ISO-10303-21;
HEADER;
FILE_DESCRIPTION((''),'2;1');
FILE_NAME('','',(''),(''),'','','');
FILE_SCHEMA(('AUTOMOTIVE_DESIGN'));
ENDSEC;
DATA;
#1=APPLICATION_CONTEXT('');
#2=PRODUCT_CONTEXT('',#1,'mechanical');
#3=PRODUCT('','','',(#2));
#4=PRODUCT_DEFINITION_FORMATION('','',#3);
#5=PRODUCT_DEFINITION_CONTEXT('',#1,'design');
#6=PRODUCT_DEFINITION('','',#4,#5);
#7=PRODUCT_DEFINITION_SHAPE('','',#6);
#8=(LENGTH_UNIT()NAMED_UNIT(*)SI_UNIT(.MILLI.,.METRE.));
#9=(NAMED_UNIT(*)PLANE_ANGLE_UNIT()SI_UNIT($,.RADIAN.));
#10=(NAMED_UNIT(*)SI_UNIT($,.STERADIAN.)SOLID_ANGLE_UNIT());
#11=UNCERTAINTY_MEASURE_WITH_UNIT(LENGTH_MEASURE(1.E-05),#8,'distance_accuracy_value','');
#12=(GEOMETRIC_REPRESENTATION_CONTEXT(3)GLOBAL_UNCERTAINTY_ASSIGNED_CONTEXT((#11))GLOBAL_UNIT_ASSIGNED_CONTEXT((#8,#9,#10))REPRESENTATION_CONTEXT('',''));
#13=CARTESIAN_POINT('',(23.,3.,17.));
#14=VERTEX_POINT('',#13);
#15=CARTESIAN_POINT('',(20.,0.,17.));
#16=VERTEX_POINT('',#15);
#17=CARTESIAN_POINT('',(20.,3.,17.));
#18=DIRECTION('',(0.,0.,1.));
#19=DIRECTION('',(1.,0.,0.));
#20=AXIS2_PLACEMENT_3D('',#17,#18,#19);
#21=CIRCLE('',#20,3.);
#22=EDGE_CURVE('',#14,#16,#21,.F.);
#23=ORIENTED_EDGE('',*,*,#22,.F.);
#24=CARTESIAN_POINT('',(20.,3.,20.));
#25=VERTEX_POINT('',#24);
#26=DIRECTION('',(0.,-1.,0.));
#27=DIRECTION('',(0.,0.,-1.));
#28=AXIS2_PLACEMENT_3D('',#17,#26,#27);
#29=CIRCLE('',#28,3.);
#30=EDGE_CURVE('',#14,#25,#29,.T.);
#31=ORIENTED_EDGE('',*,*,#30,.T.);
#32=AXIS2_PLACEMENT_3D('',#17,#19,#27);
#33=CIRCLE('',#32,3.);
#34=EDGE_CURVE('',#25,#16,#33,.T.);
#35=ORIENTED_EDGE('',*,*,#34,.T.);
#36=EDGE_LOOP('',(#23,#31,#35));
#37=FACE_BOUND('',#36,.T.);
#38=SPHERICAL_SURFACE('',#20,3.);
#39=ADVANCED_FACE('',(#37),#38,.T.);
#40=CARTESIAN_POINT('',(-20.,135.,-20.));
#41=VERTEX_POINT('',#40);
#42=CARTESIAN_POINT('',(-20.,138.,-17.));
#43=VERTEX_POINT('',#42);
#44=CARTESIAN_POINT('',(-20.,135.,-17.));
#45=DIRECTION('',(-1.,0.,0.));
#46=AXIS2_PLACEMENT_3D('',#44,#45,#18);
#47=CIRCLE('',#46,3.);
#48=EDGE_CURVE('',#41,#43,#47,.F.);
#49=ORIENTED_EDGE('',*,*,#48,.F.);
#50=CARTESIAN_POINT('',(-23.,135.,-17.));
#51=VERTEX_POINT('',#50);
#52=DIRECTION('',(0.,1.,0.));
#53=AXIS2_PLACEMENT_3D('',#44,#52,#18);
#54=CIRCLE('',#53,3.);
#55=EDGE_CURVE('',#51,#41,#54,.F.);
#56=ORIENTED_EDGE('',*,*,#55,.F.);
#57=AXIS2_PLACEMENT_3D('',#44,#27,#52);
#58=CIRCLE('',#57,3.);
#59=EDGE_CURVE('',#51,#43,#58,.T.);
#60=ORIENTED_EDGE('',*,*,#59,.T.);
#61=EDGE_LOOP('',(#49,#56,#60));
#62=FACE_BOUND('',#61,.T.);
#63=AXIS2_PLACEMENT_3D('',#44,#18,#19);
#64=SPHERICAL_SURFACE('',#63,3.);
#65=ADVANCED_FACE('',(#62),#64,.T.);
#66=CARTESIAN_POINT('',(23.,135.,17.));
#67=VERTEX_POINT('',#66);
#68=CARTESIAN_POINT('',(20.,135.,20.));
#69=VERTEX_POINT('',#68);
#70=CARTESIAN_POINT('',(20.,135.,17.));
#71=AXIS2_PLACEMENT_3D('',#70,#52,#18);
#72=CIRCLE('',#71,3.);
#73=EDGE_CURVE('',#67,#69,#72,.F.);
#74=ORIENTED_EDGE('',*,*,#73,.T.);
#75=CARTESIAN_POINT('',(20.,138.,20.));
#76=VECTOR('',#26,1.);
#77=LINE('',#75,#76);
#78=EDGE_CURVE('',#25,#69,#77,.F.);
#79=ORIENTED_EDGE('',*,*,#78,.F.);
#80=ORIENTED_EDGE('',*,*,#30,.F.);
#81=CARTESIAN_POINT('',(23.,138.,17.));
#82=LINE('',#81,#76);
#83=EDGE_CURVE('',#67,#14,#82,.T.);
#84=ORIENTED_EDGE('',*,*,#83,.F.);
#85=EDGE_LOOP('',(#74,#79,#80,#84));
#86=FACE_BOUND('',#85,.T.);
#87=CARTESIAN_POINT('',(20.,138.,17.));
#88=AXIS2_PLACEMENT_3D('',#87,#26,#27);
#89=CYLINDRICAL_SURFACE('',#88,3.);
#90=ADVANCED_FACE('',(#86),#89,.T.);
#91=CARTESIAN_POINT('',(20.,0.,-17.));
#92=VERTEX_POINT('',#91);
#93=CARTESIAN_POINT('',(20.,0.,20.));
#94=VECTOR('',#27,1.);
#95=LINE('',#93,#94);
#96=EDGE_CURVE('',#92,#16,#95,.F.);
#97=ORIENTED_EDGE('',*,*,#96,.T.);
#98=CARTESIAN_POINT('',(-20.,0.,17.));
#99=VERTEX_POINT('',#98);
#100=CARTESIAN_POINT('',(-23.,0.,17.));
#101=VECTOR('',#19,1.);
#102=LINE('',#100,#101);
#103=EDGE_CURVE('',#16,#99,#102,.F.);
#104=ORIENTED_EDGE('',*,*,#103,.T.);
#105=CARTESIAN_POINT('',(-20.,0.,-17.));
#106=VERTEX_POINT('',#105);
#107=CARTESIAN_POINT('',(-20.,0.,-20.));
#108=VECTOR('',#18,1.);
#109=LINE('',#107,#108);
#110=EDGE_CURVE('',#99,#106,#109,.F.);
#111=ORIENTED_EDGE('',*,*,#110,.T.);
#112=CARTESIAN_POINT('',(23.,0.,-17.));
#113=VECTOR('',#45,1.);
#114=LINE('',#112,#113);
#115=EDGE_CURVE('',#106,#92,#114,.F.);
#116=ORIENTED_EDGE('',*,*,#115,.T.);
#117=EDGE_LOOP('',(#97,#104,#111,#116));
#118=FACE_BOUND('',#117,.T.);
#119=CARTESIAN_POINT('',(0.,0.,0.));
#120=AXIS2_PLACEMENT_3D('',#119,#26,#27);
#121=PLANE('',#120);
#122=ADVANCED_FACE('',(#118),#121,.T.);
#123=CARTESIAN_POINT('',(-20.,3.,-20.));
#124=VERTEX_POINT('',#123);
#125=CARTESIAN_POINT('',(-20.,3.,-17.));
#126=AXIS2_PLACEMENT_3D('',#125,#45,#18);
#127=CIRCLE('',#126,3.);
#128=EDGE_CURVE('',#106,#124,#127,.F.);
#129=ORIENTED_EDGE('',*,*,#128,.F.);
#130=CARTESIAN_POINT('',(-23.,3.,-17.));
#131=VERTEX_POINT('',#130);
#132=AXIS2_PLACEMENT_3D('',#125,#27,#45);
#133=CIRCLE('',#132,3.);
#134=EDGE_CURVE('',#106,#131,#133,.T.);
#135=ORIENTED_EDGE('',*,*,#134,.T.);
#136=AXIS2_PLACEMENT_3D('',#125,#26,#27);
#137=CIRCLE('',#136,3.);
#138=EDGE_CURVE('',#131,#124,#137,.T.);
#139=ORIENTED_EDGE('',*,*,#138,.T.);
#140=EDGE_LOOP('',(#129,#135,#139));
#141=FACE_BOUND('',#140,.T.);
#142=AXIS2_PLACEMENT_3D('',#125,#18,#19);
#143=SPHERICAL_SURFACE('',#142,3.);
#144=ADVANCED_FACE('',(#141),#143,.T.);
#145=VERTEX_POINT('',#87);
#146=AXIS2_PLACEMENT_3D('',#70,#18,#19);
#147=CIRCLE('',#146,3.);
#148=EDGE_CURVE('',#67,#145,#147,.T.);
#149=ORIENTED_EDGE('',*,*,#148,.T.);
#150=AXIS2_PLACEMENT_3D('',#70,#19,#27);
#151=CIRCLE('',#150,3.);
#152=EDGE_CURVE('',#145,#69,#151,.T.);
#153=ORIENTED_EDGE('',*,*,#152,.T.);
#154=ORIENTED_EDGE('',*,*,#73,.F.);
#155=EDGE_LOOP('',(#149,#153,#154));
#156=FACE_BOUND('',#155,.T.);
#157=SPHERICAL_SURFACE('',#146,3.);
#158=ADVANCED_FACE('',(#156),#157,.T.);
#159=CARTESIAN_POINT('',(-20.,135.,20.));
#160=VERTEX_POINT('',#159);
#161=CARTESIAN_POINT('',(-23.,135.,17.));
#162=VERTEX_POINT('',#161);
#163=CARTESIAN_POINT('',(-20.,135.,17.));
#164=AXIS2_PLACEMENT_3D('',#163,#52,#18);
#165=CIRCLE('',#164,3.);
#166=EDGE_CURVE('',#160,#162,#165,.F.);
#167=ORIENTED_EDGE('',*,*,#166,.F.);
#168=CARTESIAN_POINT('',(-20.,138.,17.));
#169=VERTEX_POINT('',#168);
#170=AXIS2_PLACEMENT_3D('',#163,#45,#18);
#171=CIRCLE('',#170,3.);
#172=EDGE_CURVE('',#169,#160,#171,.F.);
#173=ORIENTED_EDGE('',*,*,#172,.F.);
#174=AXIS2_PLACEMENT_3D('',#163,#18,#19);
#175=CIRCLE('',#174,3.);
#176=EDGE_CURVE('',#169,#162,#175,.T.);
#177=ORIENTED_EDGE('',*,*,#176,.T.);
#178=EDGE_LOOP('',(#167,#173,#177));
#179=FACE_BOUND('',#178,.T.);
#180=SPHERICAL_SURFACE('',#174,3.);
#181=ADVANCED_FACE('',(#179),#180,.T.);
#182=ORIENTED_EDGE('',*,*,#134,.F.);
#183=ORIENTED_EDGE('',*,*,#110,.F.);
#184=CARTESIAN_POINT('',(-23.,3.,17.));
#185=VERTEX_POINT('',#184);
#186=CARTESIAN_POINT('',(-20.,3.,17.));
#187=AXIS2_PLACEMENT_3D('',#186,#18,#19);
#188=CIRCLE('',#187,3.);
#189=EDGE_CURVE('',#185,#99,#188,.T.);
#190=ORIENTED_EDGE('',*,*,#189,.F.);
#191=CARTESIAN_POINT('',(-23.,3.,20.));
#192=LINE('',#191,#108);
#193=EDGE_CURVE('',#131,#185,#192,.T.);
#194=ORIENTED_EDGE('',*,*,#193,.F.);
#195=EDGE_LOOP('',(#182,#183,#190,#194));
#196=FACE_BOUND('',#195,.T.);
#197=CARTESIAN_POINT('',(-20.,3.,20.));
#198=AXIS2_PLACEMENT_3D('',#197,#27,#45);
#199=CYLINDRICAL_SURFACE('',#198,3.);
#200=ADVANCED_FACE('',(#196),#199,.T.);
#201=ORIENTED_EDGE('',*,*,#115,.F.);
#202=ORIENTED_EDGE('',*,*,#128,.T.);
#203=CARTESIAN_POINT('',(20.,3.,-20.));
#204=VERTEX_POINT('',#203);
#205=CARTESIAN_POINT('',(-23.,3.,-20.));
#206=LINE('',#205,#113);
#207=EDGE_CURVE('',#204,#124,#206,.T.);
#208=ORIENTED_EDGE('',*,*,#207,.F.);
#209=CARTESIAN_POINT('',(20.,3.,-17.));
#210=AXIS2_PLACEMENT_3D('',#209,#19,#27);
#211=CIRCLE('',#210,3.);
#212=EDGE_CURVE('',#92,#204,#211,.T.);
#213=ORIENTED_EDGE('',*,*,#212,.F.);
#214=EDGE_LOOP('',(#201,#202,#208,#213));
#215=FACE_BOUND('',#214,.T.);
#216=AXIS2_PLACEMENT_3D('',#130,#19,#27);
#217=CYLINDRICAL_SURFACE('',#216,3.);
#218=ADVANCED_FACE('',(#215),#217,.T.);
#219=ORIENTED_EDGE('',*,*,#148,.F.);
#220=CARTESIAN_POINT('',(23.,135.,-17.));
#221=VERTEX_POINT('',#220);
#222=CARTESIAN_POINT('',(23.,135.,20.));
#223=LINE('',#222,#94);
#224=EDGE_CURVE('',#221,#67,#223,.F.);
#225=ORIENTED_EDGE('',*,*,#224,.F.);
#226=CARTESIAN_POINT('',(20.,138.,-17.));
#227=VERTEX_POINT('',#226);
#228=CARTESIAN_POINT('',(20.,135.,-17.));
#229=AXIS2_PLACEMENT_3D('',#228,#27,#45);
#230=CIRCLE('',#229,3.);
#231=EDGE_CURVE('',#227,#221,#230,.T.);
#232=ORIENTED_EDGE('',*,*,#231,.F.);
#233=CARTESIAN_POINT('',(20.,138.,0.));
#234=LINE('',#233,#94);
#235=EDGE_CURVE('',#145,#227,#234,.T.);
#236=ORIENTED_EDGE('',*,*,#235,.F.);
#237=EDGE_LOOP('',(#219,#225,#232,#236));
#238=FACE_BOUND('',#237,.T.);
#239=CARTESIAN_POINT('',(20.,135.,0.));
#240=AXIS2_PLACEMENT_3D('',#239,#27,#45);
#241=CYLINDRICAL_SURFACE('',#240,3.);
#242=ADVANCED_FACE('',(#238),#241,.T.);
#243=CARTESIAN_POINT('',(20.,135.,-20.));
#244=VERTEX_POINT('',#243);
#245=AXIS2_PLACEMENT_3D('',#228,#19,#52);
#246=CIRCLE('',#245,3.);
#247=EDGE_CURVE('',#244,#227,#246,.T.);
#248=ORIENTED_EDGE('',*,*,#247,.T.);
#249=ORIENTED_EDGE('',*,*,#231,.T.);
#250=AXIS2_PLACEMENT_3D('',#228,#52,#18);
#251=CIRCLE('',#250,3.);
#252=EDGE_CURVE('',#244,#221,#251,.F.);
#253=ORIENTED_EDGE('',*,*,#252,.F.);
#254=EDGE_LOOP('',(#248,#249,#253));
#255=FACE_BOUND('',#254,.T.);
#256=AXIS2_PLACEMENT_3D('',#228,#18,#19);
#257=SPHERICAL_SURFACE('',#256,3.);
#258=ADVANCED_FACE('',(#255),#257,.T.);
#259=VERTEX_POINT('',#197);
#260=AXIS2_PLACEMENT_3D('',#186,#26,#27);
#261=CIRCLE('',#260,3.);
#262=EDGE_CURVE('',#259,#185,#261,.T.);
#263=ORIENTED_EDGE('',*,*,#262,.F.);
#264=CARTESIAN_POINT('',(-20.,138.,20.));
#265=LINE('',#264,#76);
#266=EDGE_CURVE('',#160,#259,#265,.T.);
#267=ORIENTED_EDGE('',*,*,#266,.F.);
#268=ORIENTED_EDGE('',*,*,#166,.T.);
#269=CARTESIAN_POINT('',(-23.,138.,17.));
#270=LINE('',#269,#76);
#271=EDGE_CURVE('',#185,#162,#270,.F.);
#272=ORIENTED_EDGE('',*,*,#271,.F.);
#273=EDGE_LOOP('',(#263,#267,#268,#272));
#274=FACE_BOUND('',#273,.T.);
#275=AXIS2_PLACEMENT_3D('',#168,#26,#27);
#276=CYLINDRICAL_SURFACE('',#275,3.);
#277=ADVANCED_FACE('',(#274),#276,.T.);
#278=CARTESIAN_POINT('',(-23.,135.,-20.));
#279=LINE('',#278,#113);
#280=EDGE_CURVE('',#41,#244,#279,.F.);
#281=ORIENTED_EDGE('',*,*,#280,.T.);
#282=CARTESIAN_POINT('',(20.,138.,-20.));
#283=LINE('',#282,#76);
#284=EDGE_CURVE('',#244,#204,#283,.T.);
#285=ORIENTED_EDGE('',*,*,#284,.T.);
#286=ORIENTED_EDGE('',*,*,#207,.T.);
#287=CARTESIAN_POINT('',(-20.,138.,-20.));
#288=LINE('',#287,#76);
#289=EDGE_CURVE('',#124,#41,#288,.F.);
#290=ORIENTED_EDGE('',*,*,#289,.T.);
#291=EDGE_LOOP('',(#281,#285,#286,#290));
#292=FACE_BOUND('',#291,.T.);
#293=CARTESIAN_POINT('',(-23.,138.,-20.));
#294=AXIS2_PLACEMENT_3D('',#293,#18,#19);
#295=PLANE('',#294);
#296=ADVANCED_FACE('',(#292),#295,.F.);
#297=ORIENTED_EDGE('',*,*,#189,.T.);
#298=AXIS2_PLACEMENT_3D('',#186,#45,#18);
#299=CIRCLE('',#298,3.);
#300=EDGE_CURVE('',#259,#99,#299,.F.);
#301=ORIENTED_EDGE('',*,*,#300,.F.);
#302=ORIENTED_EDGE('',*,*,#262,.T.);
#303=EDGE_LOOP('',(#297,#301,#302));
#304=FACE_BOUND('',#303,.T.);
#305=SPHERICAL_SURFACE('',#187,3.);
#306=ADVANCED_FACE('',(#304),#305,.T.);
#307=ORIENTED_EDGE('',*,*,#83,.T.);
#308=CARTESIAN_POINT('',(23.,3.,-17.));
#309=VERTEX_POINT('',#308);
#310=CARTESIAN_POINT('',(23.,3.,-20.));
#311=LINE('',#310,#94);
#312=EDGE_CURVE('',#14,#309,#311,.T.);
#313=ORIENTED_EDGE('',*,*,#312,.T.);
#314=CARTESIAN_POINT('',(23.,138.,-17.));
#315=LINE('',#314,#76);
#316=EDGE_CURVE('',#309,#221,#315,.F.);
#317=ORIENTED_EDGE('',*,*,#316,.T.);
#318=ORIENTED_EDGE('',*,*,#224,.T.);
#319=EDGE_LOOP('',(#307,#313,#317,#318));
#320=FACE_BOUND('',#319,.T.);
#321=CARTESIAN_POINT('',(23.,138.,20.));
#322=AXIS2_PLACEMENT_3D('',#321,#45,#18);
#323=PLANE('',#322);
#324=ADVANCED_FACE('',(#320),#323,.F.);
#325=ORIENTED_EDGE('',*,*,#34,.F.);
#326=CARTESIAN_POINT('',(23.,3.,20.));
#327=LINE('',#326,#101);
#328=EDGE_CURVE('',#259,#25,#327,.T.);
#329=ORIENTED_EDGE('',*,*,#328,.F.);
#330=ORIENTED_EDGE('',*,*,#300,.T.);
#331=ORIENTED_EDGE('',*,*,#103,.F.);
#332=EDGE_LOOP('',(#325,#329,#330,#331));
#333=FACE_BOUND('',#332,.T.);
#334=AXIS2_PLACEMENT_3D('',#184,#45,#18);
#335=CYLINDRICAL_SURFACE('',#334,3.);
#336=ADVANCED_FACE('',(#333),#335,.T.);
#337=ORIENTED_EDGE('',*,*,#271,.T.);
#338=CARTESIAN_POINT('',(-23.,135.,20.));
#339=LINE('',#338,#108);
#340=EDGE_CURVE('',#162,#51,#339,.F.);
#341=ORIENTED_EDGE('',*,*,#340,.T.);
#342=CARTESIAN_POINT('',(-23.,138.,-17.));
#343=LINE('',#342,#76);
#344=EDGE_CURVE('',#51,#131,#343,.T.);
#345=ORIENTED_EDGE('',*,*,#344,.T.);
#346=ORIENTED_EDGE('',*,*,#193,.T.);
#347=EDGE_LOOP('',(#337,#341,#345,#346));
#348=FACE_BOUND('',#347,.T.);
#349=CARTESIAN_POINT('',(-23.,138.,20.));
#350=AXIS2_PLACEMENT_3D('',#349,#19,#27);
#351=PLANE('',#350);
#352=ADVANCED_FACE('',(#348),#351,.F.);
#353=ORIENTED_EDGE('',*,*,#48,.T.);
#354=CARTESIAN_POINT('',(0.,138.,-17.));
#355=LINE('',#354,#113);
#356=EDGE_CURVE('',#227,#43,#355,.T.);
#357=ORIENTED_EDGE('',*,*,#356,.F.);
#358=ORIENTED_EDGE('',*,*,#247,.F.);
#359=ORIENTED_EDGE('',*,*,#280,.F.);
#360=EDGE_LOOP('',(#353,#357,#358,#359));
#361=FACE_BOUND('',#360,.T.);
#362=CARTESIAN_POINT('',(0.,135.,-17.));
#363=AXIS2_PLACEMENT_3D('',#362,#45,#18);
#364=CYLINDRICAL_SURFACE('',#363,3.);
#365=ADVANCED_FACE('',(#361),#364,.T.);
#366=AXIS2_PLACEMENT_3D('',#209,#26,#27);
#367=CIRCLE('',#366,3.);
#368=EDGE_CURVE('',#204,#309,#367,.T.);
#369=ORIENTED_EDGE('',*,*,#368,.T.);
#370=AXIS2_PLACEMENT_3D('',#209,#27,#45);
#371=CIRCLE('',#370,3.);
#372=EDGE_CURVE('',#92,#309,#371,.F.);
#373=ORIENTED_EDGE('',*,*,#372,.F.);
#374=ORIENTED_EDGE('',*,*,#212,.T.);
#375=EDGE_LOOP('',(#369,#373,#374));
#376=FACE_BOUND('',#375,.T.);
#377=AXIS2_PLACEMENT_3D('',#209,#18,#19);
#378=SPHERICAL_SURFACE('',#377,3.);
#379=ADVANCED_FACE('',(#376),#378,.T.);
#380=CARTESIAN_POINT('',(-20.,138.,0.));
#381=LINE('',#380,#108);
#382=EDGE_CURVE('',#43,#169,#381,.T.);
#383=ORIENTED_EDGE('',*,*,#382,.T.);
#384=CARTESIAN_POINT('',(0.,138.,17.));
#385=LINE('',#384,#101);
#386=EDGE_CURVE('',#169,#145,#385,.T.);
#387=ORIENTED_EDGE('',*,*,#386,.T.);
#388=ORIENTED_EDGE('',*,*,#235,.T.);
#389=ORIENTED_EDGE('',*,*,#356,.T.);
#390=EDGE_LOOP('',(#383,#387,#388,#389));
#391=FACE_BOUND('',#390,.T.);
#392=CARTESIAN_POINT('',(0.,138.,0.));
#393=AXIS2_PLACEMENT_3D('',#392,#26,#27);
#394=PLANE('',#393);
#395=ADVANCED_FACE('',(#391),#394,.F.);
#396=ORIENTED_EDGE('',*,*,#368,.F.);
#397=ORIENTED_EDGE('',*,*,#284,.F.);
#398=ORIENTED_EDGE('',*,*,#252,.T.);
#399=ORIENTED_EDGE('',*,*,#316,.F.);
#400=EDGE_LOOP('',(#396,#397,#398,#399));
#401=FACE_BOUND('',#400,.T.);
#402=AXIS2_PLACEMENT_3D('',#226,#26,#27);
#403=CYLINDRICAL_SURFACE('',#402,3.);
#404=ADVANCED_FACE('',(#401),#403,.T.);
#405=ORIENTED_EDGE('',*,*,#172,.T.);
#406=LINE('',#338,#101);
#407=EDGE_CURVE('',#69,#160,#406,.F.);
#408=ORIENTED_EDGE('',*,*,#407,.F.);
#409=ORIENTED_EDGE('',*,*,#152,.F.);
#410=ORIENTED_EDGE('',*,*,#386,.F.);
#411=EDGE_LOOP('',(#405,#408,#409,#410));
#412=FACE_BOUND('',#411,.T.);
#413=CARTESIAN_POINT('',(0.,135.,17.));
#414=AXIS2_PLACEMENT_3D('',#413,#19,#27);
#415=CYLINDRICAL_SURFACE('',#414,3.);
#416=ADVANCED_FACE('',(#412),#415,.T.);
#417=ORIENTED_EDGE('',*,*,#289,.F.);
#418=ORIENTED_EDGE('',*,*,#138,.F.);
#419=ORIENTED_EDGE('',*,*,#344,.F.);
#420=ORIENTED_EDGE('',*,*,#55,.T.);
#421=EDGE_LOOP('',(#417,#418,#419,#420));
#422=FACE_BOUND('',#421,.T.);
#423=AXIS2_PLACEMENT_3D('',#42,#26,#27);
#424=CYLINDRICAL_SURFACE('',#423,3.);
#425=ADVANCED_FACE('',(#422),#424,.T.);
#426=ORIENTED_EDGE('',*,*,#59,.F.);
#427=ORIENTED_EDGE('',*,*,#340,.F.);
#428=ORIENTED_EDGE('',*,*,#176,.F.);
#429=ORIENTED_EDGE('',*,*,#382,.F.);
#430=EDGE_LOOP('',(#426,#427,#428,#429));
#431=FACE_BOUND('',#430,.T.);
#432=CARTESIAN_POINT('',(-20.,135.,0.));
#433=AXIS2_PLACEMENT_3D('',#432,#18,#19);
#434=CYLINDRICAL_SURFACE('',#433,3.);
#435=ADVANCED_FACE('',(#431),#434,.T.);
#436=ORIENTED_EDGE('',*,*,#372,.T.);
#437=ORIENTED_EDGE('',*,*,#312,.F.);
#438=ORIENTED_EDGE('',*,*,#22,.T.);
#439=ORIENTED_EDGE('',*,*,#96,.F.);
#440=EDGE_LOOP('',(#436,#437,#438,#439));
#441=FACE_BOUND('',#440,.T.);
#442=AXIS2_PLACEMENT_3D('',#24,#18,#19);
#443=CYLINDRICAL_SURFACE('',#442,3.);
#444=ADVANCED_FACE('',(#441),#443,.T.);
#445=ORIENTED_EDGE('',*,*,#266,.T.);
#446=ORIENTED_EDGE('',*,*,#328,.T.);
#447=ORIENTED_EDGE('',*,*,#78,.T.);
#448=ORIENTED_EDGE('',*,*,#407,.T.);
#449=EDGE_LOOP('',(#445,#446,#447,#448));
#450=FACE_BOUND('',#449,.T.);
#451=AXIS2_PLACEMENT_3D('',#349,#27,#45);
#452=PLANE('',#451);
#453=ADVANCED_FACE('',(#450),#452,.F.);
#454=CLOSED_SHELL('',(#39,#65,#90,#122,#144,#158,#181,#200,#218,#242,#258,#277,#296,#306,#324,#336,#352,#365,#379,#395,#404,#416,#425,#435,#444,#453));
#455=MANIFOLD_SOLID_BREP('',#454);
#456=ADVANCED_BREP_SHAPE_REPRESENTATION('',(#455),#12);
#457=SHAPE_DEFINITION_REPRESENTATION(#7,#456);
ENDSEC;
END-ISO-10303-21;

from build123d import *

# Parameters (mm, degrees)
SKETCH1_W           = 46
SKETCH1_H           = 40
BOSS_EXTRUDE1_DEPTH = 138
FILLET1_R           = 3


with BuildPart() as part:
    # Sketch1 → Boss-Extrude1 (new body)
    with BuildSketch(Plane(origin=(0, 0, 0), x_dir=(1, 0, 0), z_dir=(0, 1, 0))):
        Rectangle(SKETCH1_W, SKETCH1_H)
    extrude(amount=BOSS_EXTRUDE1_DEPTH)

    # Fillet1
    fillet1_edges = [part.edges().sort_by_distance(p)[0] for p in [
        (-23, 138, 0),
        (0, 138, 20),
        (23, 138, 0),
        (0, 0, 20),
        (-23, 0, 0),
        (0, 0, -20),
        (23, 0, 0),
        (0, 138, -20),
        (23, 69, 20),
        (-23, 69, 20),
        (-23, 69, -20),
        (23, 69, -20),
    ]]
    fillet(fillet1_edges, radius=FILLET1_R)


solid = part.part
